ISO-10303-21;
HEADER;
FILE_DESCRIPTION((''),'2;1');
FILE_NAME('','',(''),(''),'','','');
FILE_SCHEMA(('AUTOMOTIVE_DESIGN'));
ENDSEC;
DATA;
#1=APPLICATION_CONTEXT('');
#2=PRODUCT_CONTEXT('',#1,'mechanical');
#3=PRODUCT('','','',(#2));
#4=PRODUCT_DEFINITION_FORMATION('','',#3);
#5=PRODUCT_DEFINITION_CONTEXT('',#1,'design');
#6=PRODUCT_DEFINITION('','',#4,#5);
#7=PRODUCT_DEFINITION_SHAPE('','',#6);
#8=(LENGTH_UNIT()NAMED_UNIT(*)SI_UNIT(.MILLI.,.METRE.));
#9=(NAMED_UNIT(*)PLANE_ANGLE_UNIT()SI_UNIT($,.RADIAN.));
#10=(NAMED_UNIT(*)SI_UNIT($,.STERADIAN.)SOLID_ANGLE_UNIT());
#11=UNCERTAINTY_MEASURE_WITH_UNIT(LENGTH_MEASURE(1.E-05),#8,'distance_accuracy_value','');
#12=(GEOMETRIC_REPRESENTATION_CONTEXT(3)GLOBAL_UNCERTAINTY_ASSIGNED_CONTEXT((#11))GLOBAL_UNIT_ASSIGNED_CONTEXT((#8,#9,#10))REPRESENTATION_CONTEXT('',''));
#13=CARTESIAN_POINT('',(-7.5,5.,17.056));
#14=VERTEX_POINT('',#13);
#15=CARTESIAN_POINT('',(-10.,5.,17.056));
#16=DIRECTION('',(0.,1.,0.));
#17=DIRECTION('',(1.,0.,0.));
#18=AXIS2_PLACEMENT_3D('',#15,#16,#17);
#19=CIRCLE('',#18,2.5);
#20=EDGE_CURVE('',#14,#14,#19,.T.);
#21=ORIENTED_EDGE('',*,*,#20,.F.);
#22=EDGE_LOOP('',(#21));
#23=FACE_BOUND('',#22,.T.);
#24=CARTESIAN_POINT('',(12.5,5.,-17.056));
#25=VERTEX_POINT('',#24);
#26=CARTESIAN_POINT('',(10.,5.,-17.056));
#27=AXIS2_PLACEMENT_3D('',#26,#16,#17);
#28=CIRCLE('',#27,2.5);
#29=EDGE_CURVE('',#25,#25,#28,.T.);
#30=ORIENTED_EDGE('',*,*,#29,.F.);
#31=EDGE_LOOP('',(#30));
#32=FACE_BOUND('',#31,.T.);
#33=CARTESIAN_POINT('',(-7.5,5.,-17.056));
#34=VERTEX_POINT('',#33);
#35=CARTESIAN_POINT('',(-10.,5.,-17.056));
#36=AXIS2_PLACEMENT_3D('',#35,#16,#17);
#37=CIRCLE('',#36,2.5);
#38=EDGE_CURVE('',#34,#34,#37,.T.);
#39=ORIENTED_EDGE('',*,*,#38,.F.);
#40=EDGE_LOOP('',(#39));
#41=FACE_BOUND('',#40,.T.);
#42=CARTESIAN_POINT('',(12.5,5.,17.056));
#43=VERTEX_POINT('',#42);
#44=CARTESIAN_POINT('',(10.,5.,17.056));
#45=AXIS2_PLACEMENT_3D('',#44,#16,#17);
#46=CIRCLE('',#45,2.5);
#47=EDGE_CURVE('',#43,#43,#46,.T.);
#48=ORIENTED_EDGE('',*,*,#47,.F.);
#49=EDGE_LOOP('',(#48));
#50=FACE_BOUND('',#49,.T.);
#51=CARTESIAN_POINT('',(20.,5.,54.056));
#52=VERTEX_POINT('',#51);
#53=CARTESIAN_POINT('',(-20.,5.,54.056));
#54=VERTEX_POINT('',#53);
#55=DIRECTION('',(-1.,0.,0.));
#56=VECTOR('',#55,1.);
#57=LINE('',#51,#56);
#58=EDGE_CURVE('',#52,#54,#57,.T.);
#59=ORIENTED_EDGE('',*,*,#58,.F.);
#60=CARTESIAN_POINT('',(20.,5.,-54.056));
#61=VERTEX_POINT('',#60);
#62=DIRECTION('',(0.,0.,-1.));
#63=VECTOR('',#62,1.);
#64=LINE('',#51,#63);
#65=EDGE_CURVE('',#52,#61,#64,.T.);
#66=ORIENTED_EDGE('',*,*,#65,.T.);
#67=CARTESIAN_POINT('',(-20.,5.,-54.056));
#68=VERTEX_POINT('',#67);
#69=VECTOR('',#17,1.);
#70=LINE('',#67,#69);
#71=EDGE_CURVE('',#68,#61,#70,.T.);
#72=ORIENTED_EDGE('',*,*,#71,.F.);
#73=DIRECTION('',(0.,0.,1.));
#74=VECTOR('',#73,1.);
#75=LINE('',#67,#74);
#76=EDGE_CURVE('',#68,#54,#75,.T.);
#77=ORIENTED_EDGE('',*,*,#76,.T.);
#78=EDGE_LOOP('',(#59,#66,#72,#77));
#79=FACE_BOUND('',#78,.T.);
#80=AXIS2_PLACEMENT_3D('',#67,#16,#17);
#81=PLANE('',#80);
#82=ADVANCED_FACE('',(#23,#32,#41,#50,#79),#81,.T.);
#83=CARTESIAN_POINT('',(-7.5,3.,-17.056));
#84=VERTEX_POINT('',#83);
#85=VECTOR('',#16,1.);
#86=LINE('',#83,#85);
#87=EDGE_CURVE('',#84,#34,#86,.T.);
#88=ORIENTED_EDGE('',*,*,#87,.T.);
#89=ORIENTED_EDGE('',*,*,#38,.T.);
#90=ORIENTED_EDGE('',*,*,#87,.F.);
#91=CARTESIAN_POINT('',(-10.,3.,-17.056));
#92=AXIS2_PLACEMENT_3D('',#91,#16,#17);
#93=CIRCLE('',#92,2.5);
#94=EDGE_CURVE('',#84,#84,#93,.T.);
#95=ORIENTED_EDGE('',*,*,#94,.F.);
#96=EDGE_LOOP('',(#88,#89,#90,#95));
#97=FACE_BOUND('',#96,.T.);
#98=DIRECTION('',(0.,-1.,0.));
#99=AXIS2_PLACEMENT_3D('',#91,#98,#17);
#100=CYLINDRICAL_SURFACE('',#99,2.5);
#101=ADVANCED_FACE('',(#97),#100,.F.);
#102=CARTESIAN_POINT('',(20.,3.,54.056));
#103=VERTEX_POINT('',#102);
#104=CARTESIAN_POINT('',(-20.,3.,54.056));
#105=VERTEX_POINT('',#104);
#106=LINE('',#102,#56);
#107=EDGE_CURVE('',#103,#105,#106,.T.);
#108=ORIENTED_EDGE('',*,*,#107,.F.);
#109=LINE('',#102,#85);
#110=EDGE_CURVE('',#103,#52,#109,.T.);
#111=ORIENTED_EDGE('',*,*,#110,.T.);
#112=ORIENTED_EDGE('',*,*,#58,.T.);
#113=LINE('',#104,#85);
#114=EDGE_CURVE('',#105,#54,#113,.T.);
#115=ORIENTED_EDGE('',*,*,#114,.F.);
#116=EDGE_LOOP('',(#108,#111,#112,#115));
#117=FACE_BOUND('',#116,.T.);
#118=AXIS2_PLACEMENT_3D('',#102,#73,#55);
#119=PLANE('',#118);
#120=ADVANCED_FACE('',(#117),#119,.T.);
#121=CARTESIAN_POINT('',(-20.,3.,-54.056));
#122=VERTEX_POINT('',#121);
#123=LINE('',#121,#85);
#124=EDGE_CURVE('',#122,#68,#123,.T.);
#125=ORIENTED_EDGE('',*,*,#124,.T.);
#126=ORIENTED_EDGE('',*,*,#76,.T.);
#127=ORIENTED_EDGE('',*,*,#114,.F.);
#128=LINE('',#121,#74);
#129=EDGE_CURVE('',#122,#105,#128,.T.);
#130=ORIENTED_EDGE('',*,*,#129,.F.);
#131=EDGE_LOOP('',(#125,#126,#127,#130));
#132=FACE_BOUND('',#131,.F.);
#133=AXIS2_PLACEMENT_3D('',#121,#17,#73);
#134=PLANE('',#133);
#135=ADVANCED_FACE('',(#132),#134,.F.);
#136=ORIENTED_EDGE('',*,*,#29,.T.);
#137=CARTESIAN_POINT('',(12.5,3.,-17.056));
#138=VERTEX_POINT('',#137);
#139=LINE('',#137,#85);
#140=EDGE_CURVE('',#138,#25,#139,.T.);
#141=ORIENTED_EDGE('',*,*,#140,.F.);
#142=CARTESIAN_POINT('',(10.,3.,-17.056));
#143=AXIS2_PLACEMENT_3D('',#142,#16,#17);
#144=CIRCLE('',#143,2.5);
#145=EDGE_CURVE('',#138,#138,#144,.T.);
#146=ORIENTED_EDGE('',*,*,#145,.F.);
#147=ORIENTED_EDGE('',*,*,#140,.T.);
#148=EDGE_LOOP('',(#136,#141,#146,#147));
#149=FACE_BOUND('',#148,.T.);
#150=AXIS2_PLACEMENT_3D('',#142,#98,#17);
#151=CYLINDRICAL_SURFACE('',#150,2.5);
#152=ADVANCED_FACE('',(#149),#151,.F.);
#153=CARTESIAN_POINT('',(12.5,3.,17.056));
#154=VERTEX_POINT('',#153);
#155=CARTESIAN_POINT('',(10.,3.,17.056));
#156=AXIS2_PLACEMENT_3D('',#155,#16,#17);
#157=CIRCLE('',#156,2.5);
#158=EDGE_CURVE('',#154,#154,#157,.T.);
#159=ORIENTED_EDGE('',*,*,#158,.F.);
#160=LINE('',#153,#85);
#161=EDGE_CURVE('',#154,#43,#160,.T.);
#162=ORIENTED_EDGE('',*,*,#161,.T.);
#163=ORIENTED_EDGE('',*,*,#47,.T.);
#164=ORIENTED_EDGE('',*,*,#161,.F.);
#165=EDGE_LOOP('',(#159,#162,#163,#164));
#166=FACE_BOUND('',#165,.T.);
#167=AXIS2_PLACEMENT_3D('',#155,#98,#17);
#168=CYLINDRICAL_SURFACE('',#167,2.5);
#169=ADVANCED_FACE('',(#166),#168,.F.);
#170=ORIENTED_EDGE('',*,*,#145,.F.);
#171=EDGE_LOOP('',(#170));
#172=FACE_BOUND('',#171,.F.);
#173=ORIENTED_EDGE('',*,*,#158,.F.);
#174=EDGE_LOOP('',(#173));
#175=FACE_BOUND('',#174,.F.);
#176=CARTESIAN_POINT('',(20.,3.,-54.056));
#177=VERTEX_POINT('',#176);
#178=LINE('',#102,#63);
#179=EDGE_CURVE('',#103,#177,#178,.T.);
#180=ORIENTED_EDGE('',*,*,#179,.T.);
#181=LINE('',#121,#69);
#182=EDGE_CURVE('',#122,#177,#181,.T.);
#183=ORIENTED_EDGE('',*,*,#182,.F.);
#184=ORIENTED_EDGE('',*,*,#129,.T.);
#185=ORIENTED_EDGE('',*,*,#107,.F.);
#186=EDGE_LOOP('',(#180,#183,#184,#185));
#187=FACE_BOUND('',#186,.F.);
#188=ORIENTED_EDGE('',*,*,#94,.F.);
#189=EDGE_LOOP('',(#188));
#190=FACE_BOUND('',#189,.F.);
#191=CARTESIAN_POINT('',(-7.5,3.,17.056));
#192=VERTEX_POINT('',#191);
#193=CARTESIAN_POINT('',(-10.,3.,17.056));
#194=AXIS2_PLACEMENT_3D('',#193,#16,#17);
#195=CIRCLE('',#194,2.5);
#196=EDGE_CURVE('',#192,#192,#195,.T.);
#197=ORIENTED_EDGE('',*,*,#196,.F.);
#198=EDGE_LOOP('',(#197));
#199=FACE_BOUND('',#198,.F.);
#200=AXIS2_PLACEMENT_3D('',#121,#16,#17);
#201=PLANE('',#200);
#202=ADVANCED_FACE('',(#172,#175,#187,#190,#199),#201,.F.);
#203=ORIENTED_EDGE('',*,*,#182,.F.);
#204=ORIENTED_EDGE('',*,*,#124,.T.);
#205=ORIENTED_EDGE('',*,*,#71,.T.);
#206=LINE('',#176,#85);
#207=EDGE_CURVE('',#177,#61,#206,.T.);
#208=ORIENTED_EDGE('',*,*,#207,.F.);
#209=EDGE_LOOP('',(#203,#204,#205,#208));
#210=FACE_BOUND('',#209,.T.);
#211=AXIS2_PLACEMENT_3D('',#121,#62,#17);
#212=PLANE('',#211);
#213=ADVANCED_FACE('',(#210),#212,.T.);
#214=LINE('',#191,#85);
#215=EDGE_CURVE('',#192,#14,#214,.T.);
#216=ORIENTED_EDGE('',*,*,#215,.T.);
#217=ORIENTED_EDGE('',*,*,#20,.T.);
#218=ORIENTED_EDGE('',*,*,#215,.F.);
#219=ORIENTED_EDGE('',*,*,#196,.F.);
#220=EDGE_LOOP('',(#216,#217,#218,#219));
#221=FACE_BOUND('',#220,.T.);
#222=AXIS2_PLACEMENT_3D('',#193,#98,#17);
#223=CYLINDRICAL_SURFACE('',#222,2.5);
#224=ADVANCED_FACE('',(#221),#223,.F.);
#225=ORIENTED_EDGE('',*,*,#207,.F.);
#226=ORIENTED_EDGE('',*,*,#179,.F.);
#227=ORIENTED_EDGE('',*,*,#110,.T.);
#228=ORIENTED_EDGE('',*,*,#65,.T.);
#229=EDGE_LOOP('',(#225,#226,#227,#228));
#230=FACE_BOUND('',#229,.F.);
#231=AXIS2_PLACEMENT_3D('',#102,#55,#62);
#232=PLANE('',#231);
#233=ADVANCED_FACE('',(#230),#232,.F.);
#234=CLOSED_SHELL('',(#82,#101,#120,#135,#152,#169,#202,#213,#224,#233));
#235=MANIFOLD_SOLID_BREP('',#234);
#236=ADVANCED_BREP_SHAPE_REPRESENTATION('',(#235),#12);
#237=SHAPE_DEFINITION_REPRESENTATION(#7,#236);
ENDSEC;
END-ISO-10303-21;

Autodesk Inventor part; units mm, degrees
ref_plane "YZ Plane" through (0, 0, 0) normal (1, 0, 0) x (0, 1, 0)
ref_plane "XZ Plane" through (0, 0, 0) normal (0, 1, 0) x (-1, 0, 0)
ref_plane "Work Plane1" through (-20, 3, -54.056) normal (0, 1, 0) x (1, 0, 0)
sketch "Sketch1" plane through (-20, 3, -54.056) normal (0, 1, 0) x (1, 0, 0)
  line L0 (0, 0) -> (0, -108.112) projected
  line L1 (40, -108.112) -> (40, 0) projected
  line L2 (0, 0) -> (40, 0)
  line L3 (40, 0) -> (40, -108.112)
  line L4 (40, -108.112) -> (0, -108.112)
  line L5 (0, -108.112) -> (0, 0)
  circle A0 centre (10, -71.112) radius 2.5 projected
  circle A1 centre (10, -71.112) radius 2.5
  circle A2 centre (30, -71.112) radius 2.5 projected
  circle A3 centre (30, -71.112) radius 2.5
  circle A4 centre (30, -37) radius 2.5 projected
  circle A5 centre (30, -37) radius 2.5
  circle A6 centre (10, -37) radius 2.5 projected
  circle A7 centre (10, -37) radius 2.5
  point P0 (20, -54.056)
extrude "Extrusion1" add sketch "Sketch1" along normal blind 2
properties part number "slider_puffer_plate"
